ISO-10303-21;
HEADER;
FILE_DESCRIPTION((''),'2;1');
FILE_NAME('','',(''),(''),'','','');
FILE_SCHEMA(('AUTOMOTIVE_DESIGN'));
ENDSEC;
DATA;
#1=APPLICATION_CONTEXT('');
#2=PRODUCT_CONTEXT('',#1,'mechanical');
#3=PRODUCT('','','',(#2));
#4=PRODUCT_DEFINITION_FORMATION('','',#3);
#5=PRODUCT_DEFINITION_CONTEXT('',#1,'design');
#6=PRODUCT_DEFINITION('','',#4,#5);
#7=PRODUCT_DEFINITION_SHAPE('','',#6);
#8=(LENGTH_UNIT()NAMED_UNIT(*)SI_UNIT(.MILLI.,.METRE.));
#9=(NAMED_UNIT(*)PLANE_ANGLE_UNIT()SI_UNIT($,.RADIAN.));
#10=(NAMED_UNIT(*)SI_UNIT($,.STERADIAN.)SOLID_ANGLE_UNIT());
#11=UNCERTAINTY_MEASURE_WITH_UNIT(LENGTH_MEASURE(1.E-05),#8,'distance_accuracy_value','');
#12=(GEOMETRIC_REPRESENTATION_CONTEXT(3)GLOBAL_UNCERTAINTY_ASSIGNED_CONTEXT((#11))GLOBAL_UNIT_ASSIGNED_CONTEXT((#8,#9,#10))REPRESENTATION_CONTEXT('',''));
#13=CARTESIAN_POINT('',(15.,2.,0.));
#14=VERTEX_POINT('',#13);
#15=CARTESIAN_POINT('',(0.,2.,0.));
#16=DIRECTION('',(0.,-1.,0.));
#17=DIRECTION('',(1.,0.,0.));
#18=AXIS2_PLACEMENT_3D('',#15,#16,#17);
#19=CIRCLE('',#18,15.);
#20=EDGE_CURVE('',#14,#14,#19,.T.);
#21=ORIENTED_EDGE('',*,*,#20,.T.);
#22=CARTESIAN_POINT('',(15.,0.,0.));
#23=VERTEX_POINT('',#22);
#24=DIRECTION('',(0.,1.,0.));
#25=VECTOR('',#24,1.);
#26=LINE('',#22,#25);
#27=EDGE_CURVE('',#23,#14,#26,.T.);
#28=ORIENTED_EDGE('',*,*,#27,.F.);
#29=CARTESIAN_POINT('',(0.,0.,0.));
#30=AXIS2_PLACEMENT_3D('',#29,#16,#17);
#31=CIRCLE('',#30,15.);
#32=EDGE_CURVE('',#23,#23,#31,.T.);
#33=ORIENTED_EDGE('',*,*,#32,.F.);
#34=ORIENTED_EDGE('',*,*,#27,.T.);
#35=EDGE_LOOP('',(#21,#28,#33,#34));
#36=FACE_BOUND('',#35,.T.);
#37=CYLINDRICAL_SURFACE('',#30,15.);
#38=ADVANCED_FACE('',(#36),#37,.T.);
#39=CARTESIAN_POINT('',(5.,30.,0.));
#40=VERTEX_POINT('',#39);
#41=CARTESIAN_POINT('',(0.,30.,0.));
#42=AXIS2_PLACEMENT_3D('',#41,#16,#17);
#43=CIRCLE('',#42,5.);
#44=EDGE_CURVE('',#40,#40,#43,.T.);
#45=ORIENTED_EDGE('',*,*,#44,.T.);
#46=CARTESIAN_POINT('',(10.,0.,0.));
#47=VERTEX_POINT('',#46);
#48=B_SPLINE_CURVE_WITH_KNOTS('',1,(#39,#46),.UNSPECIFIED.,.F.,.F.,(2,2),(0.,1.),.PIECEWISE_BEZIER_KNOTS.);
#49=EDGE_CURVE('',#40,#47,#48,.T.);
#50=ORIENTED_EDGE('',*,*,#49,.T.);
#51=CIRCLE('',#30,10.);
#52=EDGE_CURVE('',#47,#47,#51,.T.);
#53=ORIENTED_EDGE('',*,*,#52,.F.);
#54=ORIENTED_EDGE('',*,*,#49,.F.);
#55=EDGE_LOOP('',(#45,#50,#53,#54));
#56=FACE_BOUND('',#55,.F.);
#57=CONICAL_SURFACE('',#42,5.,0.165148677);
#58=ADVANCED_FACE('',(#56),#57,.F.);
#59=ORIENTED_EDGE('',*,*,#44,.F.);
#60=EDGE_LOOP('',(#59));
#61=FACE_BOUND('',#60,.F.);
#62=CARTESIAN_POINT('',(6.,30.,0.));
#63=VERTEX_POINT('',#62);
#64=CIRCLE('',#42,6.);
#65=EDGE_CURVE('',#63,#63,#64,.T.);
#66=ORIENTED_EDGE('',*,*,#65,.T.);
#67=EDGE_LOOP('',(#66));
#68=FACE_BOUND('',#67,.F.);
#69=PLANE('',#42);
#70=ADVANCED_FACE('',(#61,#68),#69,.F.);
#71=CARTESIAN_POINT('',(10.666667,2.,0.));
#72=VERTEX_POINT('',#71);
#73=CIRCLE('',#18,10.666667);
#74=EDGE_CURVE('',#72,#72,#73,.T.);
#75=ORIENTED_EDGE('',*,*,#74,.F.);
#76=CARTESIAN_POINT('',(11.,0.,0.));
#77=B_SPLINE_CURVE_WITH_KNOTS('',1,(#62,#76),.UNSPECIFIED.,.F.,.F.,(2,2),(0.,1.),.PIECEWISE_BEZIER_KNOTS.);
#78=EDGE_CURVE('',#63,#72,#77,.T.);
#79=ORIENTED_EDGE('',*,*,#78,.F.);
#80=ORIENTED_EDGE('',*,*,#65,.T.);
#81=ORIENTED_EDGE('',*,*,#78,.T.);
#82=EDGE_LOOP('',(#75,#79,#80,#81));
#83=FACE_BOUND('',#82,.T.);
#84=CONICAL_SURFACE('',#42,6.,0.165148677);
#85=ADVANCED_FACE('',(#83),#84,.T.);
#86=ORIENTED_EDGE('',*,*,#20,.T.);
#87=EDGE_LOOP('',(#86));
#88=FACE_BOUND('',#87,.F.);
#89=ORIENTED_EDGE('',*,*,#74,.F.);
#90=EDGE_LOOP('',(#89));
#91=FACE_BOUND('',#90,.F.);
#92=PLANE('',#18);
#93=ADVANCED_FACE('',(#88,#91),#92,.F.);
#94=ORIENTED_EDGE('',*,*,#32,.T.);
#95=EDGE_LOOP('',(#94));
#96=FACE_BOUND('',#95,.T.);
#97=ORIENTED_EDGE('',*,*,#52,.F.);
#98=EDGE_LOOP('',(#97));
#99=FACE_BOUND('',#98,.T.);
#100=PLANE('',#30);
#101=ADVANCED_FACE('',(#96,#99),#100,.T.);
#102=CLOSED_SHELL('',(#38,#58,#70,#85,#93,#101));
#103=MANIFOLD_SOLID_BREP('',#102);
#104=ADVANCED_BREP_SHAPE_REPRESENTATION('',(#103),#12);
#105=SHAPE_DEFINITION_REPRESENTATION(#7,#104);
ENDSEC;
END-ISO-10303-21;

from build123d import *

# Parameters (mm, degrees)
F2_R     = 6
F0_R     = 11
F6_R     = 15
F7_DEPTH = 2
F5_R     = 5
F4_R     = 10


with BuildPart() as f3:
    # F2 (on offset) → F3 section 0
    with BuildSketch(Plane.XZ.offset(-30)):
        Circle(F2_R)
    # F0 (on Front) → F3 section 1
    with BuildSketch(Plane.XZ):
        Circle(F0_R)
    loft()

    # F6 (on Front) → F7 (join)
    with BuildSketch(Plane.XZ):
        Circle(F6_R)
    extrude(amount=-F7_DEPTH)

    # F5 (on offset) → F8 section 0
    with BuildSketch(Plane.XZ.offset(-30)):
        Circle(F5_R)
    # F4 (on Front) → F8 section 1
    with BuildSketch(Plane.XZ):
        Circle(F4_R)
    loft(mode=Mode.SUBTRACT)


solid = f3.part
